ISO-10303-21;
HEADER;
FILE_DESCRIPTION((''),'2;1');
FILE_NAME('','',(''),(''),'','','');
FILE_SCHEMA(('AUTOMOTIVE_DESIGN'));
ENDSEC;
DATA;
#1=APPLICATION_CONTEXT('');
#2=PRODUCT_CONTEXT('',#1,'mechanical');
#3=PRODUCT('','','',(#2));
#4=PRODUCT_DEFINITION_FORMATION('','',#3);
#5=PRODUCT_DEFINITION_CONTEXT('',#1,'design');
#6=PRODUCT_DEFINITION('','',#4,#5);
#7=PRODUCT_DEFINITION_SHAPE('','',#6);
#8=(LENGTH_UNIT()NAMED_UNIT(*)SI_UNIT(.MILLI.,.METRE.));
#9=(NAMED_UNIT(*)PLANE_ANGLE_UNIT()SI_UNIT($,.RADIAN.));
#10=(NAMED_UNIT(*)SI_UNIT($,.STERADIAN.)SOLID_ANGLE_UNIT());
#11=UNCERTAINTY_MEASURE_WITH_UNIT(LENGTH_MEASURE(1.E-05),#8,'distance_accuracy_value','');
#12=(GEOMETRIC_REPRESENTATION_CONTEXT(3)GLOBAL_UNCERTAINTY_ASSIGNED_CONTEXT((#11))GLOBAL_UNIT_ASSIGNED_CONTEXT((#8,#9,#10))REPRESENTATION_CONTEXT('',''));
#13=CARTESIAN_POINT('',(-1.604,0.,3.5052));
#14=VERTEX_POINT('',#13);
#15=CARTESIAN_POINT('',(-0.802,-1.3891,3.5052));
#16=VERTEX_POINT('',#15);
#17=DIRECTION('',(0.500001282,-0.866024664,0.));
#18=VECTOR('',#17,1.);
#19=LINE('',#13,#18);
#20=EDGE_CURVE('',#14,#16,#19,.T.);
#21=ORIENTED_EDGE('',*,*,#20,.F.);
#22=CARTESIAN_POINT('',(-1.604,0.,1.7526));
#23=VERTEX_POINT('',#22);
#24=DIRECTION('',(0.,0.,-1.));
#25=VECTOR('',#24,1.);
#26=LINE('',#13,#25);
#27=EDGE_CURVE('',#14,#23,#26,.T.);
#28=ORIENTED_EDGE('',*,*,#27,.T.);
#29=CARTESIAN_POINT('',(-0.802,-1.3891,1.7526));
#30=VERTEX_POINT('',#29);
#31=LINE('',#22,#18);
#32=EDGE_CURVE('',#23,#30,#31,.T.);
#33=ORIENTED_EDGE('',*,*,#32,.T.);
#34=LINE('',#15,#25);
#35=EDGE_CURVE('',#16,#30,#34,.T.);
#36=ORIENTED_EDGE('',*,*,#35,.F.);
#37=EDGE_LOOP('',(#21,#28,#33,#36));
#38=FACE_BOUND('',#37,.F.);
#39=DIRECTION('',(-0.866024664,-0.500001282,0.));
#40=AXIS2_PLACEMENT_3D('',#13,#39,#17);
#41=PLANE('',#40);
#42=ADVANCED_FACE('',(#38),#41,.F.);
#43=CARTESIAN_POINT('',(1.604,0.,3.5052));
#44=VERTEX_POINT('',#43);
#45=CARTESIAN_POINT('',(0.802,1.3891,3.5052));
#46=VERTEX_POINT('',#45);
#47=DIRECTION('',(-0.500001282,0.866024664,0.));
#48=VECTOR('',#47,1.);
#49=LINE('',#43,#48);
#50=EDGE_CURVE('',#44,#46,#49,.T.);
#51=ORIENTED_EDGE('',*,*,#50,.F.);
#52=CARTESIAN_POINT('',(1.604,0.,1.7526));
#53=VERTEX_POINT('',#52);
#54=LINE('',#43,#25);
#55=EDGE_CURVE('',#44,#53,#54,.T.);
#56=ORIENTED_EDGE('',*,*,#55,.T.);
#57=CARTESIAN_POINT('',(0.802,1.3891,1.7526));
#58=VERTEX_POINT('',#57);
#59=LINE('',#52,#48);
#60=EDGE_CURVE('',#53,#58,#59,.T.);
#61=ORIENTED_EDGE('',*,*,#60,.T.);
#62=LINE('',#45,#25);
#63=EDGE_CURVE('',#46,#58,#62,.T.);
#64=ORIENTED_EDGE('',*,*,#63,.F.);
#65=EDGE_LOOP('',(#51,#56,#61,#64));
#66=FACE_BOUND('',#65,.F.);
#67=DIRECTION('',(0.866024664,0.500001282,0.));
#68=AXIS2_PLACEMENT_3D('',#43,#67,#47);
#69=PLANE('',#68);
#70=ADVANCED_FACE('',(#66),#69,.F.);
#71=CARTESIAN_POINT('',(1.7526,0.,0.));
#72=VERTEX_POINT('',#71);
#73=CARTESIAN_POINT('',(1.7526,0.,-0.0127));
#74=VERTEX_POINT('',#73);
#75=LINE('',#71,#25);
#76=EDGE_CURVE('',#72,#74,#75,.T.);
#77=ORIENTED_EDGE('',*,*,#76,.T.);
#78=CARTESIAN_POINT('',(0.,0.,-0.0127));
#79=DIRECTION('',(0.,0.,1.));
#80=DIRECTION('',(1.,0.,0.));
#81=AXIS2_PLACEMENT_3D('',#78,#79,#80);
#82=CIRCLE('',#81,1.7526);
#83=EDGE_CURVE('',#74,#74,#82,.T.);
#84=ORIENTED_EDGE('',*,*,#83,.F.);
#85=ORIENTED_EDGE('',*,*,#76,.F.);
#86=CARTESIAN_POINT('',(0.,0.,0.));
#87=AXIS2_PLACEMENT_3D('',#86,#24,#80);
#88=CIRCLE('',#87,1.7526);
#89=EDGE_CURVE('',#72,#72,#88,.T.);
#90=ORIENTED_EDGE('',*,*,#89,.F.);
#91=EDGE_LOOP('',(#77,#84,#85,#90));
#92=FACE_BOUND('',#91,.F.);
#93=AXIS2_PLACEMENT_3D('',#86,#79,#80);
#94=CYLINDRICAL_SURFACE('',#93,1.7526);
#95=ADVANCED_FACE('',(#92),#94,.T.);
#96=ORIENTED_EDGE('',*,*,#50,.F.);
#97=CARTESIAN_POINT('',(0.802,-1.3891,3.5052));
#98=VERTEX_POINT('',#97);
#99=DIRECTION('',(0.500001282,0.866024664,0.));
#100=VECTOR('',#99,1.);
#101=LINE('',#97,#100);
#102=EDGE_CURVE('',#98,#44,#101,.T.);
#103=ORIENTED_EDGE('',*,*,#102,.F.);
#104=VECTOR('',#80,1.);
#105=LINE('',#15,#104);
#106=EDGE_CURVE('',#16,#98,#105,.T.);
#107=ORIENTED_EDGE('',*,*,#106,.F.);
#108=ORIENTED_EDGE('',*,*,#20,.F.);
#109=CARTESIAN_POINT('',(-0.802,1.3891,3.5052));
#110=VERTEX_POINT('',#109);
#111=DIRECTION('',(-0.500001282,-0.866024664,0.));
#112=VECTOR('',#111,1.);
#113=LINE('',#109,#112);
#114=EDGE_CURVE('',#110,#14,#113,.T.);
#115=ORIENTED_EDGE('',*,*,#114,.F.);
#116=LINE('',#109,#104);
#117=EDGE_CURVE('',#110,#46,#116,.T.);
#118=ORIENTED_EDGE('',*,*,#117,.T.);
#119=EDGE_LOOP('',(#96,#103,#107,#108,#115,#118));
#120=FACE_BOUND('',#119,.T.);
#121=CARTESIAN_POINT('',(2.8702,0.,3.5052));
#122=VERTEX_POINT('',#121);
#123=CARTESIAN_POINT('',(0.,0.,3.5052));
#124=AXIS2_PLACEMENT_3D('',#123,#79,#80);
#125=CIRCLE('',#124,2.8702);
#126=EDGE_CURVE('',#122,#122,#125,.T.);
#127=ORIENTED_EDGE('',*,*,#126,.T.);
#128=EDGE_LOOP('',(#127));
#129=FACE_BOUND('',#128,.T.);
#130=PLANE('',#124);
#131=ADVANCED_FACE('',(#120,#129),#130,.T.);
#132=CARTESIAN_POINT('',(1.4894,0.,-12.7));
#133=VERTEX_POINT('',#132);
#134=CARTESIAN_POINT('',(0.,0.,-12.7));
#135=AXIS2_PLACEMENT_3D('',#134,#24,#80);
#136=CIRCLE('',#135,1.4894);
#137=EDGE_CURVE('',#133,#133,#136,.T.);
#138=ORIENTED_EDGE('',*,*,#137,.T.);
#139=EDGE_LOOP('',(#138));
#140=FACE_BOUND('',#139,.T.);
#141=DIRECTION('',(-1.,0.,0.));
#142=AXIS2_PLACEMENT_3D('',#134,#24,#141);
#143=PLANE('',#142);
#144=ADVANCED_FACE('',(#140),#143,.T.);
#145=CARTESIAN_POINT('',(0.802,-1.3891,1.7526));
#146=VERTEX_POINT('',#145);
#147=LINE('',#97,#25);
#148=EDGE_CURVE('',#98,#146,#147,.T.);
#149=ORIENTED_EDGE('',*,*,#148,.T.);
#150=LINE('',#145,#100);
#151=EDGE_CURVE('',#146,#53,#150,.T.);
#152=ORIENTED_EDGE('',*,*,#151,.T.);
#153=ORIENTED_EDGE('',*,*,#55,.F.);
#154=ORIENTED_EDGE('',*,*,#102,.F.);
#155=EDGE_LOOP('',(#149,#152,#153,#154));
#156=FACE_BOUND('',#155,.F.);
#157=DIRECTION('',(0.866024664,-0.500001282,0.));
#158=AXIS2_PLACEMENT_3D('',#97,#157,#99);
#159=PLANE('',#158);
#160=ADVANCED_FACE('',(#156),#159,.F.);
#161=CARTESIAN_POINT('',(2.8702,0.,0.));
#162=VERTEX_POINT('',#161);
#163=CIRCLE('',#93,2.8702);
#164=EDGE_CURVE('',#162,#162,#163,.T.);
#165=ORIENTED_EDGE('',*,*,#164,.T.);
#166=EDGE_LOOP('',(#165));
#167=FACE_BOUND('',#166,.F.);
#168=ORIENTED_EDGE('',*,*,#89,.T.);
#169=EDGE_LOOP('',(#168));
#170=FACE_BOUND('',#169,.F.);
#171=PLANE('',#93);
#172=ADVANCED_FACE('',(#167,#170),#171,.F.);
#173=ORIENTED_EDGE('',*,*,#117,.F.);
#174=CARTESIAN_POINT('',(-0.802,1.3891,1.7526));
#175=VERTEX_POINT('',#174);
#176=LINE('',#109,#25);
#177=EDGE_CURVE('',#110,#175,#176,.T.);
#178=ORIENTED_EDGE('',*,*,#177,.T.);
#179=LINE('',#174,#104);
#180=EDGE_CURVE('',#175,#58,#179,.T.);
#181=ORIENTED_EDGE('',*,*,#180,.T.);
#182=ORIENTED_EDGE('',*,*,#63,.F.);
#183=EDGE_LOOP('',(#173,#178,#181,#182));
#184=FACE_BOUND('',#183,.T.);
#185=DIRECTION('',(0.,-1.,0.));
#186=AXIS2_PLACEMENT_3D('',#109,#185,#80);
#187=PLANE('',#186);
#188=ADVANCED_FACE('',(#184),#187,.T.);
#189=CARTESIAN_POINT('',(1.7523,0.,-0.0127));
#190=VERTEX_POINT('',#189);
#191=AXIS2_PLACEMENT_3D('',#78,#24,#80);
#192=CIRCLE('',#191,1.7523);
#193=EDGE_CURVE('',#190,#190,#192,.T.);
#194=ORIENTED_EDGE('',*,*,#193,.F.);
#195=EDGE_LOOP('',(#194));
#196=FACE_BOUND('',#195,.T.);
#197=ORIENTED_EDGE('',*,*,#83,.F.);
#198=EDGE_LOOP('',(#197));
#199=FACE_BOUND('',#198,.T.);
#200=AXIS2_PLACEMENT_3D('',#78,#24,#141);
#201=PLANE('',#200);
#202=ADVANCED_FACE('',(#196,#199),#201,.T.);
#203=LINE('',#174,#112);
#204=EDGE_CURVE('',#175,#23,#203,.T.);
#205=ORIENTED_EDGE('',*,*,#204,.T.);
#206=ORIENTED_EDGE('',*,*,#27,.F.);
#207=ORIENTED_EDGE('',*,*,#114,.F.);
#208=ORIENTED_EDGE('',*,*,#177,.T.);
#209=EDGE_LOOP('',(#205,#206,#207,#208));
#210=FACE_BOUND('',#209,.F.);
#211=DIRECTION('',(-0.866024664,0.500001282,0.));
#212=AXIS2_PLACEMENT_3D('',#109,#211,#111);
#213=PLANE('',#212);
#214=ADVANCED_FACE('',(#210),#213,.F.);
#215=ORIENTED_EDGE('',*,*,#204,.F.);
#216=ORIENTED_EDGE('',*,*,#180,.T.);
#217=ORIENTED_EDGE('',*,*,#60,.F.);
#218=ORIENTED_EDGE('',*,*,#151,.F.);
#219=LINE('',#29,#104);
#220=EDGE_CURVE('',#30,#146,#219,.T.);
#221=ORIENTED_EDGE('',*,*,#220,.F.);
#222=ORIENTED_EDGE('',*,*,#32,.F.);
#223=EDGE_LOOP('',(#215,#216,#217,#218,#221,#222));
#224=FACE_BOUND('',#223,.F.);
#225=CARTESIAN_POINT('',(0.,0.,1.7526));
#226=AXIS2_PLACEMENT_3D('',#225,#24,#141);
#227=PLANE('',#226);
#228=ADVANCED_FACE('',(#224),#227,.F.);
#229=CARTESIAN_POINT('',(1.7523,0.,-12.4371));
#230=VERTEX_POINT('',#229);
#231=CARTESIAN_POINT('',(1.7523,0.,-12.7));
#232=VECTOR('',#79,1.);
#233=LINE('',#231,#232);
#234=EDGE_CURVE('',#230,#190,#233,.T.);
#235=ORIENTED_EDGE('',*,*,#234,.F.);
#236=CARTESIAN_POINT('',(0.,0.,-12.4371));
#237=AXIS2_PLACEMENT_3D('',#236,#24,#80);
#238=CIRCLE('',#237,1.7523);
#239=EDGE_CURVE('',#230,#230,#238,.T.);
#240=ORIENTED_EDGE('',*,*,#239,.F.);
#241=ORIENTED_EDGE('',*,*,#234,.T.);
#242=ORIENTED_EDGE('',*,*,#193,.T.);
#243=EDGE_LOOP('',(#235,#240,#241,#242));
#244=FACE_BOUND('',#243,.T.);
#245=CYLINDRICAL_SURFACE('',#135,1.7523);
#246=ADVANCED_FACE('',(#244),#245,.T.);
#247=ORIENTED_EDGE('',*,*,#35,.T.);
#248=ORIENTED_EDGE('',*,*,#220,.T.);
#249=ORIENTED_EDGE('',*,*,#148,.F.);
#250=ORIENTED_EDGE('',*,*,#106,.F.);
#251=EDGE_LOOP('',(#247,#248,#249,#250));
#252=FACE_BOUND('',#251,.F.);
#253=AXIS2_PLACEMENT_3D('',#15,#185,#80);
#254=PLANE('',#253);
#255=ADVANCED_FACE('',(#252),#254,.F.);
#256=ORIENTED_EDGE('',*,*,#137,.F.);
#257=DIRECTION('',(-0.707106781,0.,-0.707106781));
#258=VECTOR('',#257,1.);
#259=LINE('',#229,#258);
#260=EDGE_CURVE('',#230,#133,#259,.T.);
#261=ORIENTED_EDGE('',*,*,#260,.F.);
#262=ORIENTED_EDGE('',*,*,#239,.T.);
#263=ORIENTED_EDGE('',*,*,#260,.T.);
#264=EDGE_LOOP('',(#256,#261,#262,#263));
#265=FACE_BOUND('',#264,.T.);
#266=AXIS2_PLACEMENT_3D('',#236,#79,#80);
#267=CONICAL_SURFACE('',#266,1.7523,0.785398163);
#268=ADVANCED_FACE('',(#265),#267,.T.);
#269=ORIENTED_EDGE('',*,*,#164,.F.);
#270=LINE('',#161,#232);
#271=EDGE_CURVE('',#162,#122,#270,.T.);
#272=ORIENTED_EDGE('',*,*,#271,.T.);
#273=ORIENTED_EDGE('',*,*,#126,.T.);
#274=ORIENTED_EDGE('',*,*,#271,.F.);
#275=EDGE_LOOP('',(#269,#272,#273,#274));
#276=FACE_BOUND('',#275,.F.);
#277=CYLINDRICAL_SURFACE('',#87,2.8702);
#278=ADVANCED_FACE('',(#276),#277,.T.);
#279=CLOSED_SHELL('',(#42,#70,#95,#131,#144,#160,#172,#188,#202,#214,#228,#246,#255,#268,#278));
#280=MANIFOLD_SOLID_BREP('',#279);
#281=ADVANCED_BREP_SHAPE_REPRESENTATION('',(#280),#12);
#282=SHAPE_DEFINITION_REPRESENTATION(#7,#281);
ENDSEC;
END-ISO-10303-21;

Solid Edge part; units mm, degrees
sketch "Sketch1" plane through (0, 0, 0) normal (0, 0, 1) x (1, 0, 0)
  circle A0 centre (0, 0) radius 2.8702
  dimension "D1" = 5.7404
extrude "Protrusion1" add sketch "Sketch1" along normal blind 3.5052
sketch "Sketch2" plane through (0, 0, 0) normal (0, 0, -1) x (1, 0, 0)
  circle A0 centre (0, 0) radius 1.7526
extrude "Protrusion2" add sketch "Sketch2" along normal blind 12.7
sketch "Sketch3" plane through (0, 0, -12.7) normal (0, 0, -1) x (1, 0, 0)
  circle A0 centre (0, 0) radius 1.7523
extrude "Cutout1" cut sketch "Sketch3" against normal blind 12.6873 flip side to cut
chamfer "Chamfer_1" distance 0.2629 angle 45 1 edges at (-1.7523, 0, -12.7)
sketch "Sketch4" plane through (0, 0, 3.5052) normal (0, 0, 1) x (1, 0, 0)
  line L0 (-0.802, 1.3891) -> (0.802, 1.3891)
  line L1 (1.604, 0) -> (0.802, 1.3891)
  line L2 (0.802, -1.3891) -> (1.604, 0)
  line L3 (-0.802, -1.3891) -> (0.802, -1.3891)
  line L4 (-1.604, 0) -> (-0.802, -1.3891)
  line L5 (-0.802, 1.3891) -> (-1.604, 0)
  dimension "D1" = 2.7781
extrude "Cutout2" cut sketch "Sketch4" against normal blind 1.7526
properties part number "24101585"
